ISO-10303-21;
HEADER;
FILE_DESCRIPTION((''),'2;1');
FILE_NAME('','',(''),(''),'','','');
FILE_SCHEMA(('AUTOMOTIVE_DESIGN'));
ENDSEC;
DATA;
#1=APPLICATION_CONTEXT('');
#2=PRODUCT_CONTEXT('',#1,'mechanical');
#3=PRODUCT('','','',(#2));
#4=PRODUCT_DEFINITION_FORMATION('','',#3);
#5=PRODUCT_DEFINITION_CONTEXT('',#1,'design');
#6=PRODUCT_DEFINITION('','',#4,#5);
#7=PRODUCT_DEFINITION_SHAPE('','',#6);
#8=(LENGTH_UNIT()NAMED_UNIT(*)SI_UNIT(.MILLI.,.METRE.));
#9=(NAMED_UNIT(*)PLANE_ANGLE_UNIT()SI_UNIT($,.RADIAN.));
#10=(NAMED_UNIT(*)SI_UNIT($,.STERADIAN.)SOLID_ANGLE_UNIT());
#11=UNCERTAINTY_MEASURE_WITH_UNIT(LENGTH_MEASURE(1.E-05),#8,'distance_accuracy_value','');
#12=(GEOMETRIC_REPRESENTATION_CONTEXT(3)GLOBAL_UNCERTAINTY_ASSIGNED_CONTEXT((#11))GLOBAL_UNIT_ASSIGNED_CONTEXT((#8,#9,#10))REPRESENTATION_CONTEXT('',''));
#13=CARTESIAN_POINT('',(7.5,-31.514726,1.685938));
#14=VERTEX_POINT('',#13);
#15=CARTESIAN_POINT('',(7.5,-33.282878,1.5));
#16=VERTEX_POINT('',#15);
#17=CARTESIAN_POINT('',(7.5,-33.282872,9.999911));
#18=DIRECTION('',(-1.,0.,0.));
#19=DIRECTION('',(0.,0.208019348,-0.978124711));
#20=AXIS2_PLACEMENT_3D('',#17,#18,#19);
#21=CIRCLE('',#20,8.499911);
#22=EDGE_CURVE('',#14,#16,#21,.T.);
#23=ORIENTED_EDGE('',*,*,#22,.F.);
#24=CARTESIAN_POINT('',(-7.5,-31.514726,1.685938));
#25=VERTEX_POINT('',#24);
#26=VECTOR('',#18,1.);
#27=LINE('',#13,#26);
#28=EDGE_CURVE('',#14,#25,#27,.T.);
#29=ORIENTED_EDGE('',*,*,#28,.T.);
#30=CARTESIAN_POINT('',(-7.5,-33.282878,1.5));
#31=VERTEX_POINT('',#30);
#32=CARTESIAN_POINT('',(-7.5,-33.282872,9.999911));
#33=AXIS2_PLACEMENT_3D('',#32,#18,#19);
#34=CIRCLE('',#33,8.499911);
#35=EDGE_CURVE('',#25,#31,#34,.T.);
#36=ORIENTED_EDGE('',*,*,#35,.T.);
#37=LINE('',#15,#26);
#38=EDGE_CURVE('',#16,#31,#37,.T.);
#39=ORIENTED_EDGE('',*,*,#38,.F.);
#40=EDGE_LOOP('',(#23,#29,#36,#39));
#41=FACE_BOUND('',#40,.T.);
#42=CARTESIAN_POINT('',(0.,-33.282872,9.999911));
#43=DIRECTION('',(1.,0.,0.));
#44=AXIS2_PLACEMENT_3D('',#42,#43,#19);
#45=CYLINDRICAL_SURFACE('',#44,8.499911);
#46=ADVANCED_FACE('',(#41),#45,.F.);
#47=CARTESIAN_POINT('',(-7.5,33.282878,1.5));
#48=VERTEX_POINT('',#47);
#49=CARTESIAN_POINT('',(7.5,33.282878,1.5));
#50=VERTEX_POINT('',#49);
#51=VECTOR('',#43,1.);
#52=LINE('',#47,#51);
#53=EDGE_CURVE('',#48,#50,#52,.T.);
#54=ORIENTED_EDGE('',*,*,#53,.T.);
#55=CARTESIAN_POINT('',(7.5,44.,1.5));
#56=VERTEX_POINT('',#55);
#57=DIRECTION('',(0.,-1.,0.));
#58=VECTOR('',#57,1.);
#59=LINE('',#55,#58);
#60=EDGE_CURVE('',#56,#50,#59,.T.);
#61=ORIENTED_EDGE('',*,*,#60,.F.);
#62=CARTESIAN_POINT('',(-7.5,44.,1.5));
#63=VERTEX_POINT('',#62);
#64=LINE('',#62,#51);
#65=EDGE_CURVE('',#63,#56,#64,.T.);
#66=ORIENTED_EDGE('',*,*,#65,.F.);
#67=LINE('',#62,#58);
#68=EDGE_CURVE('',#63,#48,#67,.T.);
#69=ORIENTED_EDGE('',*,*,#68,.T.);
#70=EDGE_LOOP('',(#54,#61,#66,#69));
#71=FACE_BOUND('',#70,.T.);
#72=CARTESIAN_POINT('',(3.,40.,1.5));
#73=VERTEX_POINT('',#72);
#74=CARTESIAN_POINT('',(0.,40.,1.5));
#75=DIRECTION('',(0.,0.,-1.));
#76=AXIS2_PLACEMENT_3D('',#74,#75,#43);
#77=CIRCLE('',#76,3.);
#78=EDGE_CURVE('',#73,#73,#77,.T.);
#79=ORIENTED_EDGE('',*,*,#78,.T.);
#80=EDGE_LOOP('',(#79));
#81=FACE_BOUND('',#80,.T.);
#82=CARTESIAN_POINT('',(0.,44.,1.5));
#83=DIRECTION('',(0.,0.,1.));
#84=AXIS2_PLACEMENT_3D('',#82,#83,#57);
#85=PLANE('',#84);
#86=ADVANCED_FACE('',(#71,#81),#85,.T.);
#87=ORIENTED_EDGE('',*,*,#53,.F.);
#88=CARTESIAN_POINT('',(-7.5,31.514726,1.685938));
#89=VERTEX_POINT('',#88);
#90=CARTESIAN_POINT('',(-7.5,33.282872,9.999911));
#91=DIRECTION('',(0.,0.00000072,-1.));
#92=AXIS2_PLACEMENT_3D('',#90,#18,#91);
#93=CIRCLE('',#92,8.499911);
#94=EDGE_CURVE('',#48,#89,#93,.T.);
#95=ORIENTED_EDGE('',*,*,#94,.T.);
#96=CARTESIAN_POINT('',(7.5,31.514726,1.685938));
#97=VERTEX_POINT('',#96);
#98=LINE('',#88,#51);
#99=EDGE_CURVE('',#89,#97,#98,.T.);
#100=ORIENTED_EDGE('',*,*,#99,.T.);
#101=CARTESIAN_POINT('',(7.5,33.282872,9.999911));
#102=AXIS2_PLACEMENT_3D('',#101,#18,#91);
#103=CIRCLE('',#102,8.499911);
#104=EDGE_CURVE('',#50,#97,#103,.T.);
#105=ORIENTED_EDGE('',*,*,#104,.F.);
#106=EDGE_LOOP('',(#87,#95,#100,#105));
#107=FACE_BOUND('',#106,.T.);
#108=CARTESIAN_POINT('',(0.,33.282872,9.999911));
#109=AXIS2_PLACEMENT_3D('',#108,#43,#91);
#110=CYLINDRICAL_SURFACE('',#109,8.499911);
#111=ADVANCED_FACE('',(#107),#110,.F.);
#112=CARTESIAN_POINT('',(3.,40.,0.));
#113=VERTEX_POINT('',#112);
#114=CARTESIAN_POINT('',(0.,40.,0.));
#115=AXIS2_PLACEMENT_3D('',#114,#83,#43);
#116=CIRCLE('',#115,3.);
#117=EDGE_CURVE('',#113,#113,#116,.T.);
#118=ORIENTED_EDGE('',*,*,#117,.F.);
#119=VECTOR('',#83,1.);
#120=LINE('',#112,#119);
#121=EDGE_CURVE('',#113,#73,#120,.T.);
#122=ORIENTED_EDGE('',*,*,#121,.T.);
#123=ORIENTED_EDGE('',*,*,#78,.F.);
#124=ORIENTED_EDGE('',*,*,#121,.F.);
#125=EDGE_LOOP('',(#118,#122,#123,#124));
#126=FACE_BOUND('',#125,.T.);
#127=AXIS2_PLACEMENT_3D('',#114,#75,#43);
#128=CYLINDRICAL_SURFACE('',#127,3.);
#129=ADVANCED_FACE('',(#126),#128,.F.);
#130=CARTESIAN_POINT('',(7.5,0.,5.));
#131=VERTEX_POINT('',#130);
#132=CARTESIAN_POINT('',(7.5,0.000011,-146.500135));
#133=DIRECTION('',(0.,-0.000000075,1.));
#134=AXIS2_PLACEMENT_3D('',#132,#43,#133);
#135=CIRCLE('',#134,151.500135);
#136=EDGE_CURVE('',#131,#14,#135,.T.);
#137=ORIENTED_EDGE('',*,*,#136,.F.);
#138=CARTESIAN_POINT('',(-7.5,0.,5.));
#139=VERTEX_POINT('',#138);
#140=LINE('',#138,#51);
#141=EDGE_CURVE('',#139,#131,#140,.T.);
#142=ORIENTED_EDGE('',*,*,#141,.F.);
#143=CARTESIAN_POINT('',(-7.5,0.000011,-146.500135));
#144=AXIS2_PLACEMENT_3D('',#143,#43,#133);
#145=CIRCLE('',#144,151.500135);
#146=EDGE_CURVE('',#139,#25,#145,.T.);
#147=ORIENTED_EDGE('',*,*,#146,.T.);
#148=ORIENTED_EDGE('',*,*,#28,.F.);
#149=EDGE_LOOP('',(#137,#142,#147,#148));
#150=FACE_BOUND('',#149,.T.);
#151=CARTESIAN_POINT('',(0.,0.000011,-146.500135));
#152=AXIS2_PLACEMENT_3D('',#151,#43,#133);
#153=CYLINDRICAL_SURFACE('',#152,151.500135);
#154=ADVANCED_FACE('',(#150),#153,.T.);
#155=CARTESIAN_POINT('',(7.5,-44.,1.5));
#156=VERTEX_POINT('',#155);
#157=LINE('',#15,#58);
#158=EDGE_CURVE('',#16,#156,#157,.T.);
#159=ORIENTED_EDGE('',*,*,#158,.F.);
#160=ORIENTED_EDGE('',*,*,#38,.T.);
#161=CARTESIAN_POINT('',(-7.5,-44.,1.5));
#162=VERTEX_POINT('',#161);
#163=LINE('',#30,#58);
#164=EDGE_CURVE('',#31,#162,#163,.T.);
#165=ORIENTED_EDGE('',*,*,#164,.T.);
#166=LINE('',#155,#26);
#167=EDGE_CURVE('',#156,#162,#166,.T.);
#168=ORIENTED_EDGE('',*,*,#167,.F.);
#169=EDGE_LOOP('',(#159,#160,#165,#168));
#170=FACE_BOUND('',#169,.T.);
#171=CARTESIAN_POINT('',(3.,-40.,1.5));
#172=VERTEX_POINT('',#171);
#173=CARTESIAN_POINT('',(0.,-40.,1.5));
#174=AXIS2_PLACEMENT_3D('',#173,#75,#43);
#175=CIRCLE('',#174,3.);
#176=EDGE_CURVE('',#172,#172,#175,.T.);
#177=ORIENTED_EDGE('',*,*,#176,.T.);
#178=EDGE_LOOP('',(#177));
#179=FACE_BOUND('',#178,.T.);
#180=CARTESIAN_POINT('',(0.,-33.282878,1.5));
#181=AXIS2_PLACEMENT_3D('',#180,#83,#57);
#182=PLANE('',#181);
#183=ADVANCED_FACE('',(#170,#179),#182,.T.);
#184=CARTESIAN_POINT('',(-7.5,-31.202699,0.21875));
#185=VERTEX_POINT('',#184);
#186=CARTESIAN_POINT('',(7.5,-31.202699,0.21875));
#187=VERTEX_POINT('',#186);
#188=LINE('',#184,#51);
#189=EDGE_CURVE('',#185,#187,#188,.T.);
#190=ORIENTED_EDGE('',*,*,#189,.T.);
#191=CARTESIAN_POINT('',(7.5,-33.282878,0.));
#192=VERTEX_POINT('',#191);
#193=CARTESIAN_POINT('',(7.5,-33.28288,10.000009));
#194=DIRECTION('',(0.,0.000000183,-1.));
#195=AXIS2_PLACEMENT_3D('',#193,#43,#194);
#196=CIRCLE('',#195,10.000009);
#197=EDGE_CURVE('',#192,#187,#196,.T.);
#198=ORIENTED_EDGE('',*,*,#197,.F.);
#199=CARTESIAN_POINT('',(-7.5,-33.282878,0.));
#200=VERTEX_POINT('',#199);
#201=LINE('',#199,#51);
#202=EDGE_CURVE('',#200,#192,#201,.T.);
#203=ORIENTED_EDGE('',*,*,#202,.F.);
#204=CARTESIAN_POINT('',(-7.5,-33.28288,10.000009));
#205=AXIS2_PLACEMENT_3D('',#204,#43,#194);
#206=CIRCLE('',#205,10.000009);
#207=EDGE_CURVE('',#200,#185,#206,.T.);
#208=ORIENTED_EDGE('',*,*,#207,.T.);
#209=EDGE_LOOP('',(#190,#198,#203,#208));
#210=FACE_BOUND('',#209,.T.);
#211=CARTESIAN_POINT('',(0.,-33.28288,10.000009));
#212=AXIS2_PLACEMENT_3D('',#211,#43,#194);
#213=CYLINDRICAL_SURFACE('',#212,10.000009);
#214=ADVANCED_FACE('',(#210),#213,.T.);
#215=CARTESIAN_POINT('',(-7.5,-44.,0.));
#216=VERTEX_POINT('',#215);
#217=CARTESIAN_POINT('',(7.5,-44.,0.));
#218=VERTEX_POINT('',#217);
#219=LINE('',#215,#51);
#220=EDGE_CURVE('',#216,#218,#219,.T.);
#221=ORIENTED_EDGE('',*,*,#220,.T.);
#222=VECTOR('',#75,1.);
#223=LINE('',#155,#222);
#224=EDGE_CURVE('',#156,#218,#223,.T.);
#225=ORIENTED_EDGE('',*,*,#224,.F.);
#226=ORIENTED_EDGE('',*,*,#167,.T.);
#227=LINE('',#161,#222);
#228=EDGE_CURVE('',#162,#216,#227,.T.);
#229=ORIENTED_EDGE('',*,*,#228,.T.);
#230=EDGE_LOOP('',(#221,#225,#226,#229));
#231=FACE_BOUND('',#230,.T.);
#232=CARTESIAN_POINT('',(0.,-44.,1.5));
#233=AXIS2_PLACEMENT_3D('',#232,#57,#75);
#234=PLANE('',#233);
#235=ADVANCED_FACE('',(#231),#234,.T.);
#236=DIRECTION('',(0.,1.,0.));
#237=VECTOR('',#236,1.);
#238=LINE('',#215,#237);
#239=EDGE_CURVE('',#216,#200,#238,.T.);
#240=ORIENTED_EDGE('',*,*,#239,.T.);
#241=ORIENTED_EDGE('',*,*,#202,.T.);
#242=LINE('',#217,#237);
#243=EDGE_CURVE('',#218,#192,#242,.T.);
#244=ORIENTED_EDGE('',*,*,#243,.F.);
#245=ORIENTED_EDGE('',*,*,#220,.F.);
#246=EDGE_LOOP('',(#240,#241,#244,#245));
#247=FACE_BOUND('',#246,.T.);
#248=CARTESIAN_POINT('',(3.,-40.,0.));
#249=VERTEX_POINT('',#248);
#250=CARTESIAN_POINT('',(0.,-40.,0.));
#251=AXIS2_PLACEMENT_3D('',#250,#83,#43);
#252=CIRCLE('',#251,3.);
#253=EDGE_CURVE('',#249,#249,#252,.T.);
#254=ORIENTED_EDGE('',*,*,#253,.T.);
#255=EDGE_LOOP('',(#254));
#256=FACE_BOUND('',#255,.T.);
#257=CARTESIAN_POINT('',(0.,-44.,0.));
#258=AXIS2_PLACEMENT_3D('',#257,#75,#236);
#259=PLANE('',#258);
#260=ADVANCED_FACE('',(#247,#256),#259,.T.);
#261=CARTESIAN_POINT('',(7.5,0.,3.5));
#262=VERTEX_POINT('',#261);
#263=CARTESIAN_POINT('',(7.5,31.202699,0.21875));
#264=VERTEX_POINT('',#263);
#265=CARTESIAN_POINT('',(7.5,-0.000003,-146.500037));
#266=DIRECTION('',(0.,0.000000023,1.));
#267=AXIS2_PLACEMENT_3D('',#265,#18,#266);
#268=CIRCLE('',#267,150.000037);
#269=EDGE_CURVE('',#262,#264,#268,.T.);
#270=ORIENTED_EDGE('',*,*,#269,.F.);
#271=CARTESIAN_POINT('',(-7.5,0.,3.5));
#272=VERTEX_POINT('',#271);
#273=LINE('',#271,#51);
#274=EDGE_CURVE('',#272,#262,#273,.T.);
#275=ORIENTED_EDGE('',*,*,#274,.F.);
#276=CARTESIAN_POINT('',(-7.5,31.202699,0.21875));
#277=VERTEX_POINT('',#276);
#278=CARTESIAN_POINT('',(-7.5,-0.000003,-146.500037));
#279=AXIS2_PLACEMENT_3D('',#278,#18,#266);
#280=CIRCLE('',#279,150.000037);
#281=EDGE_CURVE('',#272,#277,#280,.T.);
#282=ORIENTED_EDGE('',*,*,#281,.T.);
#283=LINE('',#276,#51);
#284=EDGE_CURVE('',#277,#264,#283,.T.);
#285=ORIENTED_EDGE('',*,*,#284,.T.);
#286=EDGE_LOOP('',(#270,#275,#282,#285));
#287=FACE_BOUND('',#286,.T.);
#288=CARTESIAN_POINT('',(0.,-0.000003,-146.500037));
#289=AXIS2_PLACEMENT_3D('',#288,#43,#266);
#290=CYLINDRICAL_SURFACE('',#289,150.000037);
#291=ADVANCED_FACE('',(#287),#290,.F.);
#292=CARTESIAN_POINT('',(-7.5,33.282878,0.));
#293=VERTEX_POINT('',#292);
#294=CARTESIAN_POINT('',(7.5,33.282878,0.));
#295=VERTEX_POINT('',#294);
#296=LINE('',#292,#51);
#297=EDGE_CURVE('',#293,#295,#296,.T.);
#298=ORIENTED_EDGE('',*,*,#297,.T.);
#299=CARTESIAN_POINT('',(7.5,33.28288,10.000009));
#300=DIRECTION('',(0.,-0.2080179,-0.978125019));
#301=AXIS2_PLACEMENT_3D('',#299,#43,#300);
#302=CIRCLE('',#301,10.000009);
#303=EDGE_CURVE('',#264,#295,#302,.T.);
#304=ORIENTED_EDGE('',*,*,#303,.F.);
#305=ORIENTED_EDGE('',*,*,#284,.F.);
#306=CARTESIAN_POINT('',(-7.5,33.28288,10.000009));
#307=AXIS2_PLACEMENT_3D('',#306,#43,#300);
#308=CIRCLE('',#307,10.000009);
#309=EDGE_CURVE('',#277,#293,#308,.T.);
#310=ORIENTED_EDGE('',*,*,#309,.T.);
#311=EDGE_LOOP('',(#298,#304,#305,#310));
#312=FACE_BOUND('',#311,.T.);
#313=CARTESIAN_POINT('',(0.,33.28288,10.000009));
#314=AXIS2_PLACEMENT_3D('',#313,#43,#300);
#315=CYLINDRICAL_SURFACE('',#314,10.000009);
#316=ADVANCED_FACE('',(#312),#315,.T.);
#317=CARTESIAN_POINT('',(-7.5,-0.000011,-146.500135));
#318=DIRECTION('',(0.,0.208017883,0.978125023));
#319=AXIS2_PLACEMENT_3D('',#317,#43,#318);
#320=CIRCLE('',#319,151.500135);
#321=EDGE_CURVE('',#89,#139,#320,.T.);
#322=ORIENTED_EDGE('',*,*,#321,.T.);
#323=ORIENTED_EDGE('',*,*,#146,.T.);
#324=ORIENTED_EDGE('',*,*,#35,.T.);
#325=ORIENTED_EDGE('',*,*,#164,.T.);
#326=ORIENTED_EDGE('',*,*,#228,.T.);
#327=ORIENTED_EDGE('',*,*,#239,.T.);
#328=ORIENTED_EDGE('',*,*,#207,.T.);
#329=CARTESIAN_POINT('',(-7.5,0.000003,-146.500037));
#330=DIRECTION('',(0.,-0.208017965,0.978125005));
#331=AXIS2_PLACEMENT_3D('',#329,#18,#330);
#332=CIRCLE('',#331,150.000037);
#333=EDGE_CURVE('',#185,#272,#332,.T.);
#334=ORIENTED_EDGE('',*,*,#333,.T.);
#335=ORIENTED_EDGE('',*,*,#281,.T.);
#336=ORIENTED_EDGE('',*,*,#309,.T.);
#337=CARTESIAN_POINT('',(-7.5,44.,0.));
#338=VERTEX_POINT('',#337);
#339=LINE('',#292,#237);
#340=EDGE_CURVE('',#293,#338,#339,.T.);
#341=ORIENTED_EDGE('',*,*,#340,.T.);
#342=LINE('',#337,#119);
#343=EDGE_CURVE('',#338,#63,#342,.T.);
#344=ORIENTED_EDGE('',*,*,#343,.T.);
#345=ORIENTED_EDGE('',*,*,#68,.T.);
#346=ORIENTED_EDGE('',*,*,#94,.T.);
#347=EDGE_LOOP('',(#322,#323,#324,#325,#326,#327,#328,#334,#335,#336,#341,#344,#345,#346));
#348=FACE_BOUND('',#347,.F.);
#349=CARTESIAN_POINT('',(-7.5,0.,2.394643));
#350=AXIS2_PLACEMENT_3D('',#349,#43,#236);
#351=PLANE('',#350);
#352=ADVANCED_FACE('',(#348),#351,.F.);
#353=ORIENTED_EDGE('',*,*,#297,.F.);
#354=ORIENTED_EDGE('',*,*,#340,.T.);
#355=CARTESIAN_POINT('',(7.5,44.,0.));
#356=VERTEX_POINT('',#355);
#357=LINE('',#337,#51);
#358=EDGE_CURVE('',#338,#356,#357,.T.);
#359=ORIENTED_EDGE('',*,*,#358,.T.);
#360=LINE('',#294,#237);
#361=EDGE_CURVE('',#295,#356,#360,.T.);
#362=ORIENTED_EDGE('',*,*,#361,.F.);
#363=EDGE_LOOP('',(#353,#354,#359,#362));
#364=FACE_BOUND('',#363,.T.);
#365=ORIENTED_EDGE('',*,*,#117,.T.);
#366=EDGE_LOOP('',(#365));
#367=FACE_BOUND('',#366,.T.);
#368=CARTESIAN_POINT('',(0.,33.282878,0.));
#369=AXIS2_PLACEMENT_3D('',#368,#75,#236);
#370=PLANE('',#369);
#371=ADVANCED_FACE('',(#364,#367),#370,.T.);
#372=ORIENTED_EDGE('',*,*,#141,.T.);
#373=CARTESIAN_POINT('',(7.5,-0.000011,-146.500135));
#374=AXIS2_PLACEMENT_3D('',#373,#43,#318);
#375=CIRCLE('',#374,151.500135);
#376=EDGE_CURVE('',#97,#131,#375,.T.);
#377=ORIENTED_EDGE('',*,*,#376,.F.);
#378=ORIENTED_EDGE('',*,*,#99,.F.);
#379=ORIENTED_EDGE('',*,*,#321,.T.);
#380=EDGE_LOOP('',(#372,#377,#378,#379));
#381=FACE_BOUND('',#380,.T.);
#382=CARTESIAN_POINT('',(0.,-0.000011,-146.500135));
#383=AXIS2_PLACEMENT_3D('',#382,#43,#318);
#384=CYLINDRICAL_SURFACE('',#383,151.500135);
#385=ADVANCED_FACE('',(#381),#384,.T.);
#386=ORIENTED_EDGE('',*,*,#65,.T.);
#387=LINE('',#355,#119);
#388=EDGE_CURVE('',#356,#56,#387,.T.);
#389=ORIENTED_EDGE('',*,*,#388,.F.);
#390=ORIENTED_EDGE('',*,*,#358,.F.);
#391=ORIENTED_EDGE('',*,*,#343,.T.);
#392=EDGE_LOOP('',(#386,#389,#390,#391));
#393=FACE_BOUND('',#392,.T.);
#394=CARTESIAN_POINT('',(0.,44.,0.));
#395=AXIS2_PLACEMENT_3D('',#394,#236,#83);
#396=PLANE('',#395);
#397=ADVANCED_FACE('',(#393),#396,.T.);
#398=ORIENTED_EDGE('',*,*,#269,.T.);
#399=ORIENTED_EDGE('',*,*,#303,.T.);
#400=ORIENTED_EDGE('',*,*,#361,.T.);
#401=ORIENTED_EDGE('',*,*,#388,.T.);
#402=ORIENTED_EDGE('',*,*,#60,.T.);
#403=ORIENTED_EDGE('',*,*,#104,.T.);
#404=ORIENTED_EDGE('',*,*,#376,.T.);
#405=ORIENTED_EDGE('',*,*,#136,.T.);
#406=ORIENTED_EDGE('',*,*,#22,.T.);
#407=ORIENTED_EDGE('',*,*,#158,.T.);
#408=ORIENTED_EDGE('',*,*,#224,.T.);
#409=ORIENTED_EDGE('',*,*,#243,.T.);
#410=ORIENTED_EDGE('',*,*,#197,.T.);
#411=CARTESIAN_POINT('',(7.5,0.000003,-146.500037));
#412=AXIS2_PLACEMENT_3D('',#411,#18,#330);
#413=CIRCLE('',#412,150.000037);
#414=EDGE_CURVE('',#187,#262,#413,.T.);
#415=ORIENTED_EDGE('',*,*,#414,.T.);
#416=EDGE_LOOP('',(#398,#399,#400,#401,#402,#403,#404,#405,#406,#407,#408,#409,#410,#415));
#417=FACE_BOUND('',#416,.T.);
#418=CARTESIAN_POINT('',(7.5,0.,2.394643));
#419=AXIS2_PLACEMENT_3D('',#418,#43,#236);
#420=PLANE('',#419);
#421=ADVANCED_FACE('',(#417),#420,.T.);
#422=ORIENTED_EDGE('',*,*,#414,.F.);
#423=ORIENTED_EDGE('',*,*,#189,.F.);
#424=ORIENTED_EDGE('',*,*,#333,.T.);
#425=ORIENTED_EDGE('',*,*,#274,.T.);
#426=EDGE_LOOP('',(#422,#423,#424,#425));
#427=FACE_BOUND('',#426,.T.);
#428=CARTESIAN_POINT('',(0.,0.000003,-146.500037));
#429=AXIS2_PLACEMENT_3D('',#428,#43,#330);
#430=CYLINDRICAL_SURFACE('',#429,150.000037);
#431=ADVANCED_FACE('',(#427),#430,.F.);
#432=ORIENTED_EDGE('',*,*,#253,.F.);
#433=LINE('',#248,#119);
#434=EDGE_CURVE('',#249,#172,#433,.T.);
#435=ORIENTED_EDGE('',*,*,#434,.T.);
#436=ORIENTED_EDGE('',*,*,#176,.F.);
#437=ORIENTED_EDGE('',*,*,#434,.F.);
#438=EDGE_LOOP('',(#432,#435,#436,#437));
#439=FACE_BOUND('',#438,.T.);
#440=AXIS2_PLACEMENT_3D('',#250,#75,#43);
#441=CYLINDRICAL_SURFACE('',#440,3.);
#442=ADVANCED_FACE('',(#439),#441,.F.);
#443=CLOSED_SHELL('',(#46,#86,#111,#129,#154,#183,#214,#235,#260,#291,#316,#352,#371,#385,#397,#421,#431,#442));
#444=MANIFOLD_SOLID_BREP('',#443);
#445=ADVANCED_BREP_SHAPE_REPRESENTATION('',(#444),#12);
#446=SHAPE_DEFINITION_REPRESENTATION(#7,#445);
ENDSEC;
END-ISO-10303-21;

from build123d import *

# Parameters (mm, degrees)
F1_DEPTH      = 7.5
F1_DEPTH_BACK = 7.5
F2_R          = 3
F3_DEPTH      = 5.001


with BuildPart() as f1:
    # F0 (on Right) → F1 (new body, two sides)
    with BuildSketch(Plane.YZ) as f1_sk:
        with BuildLine():
            Line((-44, 1.5), (-44, 0))
            Line((-44, 0), (-33.282878, 0))
            ThreePointArc((-33.282878, 0), (-32.237053, 0.054838), (-31.202699, 0.21875))
            ThreePointArc((-31.202699, 0.21875), (-15.687375, 2.677432), (0, 3.5))
            ThreePointArc((0, 3.5), (15.687375, 2.677432), (31.202699, 0.21875))
            ThreePointArc((31.202699, 0.21875), (32.237053, 0.054838), (33.282878, 0))
            Line((33.282878, 0), (44, 0))
            Line((44, 0), (44, 1.5))
            Line((44, 1.5), (33.282878, 1.5))
            ThreePointArc((33.282878, 1.5), (32.393927, 1.546612), (31.514726, 1.685938))
            ThreePointArc((31.514726, 1.685938), (15.844249, 4.169206), (0, 5))
            ThreePointArc((0, 5), (-15.844249, 4.169206), (-31.514726, 1.685938))
            ThreePointArc((-31.514726, 1.685938), (-32.393927, 1.546612), (-33.282878, 1.5))
            Line((-33.282878, 1.5), (-44, 1.5))
        make_face()
    extrude(amount=F1_DEPTH)
    extrude(f1_sk.sketch, amount=-F1_DEPTH_BACK)

    # F2 (on Top) → F3 (cut, through all)
    with BuildSketch(Plane.XY):
        with Locations((0, 40)):
            Circle(F2_R)
        with Locations((0, -40)):
            Circle(F2_R)
    extrude(amount=F3_DEPTH, mode=Mode.SUBTRACT)


solid = f1.part
